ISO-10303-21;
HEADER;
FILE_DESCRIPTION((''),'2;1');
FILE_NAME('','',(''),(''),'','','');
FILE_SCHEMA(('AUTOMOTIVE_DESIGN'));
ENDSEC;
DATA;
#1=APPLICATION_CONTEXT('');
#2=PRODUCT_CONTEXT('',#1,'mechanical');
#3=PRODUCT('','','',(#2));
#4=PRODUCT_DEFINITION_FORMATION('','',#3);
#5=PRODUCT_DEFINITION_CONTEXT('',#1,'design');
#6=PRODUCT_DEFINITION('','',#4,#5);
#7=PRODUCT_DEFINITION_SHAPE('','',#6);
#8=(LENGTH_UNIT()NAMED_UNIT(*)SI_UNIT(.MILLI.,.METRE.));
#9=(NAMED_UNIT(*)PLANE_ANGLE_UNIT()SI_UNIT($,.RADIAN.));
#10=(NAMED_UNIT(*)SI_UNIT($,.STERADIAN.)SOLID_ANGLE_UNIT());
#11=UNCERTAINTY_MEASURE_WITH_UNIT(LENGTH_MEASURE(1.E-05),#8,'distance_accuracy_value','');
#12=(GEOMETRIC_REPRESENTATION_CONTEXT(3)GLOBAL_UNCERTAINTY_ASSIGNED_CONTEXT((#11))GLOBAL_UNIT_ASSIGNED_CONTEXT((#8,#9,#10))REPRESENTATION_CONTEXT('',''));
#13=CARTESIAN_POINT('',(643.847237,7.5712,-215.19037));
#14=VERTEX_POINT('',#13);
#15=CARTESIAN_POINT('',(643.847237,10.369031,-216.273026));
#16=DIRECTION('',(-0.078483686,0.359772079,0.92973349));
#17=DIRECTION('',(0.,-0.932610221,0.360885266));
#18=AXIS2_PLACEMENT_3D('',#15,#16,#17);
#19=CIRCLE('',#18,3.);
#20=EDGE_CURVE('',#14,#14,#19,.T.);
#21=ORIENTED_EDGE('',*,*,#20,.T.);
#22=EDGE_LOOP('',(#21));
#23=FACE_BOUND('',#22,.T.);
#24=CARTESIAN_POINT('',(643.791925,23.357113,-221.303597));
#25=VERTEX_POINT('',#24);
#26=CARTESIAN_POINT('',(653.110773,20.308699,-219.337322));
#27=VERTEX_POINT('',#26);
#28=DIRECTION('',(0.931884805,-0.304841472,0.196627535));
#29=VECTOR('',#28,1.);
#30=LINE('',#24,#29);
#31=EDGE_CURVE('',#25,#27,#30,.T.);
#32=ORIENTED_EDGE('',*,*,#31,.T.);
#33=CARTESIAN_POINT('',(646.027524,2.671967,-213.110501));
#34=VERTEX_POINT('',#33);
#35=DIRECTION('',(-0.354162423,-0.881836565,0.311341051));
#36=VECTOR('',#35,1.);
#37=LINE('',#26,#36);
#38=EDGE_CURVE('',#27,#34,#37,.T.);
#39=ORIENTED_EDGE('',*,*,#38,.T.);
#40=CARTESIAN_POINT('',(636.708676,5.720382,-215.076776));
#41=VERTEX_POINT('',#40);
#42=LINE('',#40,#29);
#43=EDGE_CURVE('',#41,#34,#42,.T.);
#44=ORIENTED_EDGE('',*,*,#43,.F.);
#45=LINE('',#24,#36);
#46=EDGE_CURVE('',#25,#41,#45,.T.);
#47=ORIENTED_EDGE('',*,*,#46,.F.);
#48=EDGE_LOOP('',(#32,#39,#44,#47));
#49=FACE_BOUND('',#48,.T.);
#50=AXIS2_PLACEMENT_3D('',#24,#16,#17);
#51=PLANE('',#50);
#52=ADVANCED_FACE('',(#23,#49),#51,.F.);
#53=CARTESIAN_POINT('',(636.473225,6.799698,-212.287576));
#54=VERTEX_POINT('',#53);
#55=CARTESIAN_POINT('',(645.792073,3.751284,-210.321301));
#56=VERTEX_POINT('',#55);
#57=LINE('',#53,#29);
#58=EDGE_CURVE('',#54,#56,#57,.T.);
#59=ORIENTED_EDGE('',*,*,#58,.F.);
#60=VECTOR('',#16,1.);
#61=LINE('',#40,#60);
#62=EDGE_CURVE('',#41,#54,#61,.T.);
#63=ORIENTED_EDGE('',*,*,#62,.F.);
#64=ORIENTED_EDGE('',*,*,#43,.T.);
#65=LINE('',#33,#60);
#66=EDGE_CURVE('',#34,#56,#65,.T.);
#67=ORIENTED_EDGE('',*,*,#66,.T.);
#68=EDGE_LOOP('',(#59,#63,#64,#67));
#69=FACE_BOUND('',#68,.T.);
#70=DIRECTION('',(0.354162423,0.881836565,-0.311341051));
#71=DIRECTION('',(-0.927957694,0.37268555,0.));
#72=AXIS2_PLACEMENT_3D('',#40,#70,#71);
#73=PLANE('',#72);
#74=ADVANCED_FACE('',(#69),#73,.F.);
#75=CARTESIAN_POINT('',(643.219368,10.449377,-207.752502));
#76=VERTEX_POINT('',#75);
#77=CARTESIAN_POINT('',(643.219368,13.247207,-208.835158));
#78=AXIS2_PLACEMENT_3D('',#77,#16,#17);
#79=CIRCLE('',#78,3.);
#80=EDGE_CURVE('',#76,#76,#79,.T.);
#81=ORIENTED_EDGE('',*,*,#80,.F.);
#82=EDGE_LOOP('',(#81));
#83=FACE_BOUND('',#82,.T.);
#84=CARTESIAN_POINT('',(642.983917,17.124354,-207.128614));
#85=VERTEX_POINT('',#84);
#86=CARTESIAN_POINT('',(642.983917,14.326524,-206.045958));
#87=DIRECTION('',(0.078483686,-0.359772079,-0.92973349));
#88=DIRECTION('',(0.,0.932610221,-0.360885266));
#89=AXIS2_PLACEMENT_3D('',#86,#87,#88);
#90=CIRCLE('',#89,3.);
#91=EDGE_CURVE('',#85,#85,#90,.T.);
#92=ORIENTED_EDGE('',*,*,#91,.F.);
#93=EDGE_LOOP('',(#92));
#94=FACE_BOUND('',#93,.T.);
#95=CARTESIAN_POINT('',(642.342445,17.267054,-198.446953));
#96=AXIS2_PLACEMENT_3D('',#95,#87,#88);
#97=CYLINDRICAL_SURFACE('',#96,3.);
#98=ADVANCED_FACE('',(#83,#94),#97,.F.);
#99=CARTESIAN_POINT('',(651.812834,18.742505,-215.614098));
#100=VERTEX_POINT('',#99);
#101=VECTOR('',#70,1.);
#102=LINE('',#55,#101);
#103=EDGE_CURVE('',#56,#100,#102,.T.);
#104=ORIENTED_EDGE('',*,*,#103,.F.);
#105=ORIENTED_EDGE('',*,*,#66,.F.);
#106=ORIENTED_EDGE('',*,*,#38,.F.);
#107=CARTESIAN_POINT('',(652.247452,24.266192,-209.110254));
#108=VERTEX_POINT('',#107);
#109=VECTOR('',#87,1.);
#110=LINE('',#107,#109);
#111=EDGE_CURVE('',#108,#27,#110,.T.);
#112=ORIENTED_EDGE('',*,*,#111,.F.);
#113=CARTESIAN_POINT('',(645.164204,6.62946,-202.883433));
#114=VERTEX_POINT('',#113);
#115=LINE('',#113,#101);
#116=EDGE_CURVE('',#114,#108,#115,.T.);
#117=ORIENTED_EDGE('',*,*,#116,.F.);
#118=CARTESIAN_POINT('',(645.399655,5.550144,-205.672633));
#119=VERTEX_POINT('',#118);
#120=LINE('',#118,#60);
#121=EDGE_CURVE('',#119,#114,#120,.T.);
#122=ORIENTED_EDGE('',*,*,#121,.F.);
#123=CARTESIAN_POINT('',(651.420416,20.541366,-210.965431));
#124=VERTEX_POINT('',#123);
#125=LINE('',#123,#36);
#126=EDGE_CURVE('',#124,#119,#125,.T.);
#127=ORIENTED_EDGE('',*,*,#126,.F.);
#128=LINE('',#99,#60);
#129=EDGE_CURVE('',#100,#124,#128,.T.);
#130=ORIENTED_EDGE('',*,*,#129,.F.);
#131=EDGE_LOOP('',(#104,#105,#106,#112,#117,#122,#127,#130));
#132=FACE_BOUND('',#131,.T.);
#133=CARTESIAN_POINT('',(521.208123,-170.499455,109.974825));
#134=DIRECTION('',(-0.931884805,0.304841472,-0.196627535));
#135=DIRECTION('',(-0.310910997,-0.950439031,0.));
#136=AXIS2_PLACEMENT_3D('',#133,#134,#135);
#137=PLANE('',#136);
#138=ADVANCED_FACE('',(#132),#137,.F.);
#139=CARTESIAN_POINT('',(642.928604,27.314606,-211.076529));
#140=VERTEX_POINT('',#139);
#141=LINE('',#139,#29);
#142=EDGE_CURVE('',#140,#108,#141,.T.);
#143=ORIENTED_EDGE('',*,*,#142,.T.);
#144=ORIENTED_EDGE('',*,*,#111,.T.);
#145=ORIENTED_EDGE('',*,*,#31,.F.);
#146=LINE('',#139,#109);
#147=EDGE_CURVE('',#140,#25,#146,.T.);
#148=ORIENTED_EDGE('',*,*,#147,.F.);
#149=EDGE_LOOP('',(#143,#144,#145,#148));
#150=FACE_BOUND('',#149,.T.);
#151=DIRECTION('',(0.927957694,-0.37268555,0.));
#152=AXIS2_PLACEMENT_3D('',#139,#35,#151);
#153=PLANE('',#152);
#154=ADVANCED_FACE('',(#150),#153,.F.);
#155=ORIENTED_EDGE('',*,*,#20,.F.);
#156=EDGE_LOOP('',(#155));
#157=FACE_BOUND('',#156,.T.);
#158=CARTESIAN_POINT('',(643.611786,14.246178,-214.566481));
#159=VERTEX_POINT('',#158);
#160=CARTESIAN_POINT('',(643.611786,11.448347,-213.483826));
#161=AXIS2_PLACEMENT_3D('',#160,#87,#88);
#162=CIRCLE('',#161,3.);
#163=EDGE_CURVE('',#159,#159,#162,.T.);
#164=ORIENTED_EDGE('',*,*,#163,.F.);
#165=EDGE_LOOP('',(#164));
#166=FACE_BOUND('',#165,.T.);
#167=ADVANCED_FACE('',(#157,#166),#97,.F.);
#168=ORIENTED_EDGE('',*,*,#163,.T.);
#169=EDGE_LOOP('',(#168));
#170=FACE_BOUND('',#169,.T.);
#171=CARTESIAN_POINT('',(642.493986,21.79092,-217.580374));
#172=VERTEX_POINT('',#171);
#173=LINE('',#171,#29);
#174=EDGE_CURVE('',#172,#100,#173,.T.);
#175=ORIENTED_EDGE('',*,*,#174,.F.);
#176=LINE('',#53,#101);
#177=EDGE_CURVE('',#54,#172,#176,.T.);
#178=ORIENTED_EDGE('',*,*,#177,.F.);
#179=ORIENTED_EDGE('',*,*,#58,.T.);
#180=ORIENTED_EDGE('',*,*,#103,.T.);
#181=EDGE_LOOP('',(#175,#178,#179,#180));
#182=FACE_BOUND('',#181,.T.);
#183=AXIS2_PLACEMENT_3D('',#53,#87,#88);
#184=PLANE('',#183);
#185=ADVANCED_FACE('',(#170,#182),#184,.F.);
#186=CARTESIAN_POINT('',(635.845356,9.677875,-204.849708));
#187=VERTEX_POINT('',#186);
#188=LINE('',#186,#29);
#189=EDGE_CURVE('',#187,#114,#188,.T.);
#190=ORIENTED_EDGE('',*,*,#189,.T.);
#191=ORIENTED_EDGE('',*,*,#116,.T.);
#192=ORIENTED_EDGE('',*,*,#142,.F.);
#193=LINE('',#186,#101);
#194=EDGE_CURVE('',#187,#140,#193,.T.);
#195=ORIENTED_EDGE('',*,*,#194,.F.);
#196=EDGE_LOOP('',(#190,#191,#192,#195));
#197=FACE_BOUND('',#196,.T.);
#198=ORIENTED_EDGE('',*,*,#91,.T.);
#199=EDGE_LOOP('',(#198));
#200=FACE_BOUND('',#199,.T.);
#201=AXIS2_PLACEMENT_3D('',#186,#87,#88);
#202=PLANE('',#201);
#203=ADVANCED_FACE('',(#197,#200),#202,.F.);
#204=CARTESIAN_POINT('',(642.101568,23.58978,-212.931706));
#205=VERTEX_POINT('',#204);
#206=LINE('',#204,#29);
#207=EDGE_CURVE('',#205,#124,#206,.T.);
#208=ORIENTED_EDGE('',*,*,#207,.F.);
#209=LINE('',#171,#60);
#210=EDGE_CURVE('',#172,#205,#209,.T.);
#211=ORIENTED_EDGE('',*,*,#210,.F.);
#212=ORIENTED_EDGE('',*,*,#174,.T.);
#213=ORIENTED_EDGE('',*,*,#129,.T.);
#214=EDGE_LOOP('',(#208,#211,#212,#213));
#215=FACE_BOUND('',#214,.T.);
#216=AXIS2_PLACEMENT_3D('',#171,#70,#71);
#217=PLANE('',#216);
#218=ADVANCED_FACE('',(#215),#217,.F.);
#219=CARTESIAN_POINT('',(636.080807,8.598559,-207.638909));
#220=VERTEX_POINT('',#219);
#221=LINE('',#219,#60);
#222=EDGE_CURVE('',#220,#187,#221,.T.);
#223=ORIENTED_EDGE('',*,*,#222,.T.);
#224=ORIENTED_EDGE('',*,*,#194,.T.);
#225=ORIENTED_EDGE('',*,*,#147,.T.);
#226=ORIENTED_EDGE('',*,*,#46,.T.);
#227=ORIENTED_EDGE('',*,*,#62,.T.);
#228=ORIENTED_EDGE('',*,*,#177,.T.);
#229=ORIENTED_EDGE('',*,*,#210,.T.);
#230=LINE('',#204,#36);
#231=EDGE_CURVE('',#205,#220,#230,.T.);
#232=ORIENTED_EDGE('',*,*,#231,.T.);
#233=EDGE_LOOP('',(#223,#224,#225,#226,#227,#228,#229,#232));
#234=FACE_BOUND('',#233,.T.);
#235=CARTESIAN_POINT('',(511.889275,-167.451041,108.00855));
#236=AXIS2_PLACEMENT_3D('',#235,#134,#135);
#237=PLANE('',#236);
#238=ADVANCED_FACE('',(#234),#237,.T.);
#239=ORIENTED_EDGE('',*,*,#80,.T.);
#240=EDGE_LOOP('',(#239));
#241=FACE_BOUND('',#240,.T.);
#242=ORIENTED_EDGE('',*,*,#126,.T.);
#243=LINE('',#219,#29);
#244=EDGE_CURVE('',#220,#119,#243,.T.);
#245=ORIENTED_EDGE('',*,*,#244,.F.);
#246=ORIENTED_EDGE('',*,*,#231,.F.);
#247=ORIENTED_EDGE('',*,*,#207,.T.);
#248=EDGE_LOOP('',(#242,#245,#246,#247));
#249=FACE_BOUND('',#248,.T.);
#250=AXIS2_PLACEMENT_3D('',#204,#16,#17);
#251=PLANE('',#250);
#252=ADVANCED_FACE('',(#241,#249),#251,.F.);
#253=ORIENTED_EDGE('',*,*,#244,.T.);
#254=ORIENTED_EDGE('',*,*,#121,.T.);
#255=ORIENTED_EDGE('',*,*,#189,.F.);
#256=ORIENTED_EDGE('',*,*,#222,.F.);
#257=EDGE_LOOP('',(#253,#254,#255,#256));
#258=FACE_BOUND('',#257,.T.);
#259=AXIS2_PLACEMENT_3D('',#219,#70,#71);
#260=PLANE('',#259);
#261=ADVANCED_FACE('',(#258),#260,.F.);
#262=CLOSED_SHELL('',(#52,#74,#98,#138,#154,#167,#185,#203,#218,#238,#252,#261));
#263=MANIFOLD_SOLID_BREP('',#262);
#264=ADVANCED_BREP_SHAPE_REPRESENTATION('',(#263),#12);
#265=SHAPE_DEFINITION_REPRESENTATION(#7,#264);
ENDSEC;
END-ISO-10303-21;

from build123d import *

# Parameters (mm, degrees)
BOSS_EXTRUDE1_DEPTH     = 10
CUT_EXTRUDE1_DEPTH      = 645.694266496
CUT_EXTRUDE1_DEPTH_BACK = 645.694266496
SKETCH3_R               = 3


with BuildPart() as part:
    # Sketch2 → Boss-Extrude1 (new body)
    with BuildSketch(Plane(origin=(707.562217201, 137.847000427, -295.175758868), x_dir=(0.354162422945148, 0.881836565444649, -0.31134105096888115), z_dir=(-0.9318848047050304, 0.30484147230294734, -0.1966275350098222))):
        Polygon((-166.545846492, -35.496085413), (-149.545846492, -35.496085413), (-149.545846492, -40.496085413), (-166.545846492, -40.496085413), (-166.545846492, -43.496085413), (-146.545846492, -43.496085413), (-146.545846492, -32.496085413), (-166.545846492, -32.496085413), align=None)
    extrude(amount=BOSS_EXTRUDE1_DEPTH)

    # Sketch3 → Cut-Extrude1 (cut, two sides: drawn at the far end of the back side and taken through both)
    with BuildSketch(Plane(origin=(18.826454002, -86.301151934, -223.021951761), x_dir=(-0.9969153981489656, -0.02832360582342947, -0.07319468755755801), z_dir=(0.07848368577920857, -0.35977207869560485, -0.9297334900161196)).offset(-CUT_EXTRUDE1_DEPTH_BACK)):
        with Locations(Location((-626.324876441, 87.720012572, 0), (0, 0, 90))):
            Circle(SKETCH3_R)
    extrude(amount=CUT_EXTRUDE1_DEPTH + CUT_EXTRUDE1_DEPTH_BACK, mode=Mode.SUBTRACT)


solid = part.part
